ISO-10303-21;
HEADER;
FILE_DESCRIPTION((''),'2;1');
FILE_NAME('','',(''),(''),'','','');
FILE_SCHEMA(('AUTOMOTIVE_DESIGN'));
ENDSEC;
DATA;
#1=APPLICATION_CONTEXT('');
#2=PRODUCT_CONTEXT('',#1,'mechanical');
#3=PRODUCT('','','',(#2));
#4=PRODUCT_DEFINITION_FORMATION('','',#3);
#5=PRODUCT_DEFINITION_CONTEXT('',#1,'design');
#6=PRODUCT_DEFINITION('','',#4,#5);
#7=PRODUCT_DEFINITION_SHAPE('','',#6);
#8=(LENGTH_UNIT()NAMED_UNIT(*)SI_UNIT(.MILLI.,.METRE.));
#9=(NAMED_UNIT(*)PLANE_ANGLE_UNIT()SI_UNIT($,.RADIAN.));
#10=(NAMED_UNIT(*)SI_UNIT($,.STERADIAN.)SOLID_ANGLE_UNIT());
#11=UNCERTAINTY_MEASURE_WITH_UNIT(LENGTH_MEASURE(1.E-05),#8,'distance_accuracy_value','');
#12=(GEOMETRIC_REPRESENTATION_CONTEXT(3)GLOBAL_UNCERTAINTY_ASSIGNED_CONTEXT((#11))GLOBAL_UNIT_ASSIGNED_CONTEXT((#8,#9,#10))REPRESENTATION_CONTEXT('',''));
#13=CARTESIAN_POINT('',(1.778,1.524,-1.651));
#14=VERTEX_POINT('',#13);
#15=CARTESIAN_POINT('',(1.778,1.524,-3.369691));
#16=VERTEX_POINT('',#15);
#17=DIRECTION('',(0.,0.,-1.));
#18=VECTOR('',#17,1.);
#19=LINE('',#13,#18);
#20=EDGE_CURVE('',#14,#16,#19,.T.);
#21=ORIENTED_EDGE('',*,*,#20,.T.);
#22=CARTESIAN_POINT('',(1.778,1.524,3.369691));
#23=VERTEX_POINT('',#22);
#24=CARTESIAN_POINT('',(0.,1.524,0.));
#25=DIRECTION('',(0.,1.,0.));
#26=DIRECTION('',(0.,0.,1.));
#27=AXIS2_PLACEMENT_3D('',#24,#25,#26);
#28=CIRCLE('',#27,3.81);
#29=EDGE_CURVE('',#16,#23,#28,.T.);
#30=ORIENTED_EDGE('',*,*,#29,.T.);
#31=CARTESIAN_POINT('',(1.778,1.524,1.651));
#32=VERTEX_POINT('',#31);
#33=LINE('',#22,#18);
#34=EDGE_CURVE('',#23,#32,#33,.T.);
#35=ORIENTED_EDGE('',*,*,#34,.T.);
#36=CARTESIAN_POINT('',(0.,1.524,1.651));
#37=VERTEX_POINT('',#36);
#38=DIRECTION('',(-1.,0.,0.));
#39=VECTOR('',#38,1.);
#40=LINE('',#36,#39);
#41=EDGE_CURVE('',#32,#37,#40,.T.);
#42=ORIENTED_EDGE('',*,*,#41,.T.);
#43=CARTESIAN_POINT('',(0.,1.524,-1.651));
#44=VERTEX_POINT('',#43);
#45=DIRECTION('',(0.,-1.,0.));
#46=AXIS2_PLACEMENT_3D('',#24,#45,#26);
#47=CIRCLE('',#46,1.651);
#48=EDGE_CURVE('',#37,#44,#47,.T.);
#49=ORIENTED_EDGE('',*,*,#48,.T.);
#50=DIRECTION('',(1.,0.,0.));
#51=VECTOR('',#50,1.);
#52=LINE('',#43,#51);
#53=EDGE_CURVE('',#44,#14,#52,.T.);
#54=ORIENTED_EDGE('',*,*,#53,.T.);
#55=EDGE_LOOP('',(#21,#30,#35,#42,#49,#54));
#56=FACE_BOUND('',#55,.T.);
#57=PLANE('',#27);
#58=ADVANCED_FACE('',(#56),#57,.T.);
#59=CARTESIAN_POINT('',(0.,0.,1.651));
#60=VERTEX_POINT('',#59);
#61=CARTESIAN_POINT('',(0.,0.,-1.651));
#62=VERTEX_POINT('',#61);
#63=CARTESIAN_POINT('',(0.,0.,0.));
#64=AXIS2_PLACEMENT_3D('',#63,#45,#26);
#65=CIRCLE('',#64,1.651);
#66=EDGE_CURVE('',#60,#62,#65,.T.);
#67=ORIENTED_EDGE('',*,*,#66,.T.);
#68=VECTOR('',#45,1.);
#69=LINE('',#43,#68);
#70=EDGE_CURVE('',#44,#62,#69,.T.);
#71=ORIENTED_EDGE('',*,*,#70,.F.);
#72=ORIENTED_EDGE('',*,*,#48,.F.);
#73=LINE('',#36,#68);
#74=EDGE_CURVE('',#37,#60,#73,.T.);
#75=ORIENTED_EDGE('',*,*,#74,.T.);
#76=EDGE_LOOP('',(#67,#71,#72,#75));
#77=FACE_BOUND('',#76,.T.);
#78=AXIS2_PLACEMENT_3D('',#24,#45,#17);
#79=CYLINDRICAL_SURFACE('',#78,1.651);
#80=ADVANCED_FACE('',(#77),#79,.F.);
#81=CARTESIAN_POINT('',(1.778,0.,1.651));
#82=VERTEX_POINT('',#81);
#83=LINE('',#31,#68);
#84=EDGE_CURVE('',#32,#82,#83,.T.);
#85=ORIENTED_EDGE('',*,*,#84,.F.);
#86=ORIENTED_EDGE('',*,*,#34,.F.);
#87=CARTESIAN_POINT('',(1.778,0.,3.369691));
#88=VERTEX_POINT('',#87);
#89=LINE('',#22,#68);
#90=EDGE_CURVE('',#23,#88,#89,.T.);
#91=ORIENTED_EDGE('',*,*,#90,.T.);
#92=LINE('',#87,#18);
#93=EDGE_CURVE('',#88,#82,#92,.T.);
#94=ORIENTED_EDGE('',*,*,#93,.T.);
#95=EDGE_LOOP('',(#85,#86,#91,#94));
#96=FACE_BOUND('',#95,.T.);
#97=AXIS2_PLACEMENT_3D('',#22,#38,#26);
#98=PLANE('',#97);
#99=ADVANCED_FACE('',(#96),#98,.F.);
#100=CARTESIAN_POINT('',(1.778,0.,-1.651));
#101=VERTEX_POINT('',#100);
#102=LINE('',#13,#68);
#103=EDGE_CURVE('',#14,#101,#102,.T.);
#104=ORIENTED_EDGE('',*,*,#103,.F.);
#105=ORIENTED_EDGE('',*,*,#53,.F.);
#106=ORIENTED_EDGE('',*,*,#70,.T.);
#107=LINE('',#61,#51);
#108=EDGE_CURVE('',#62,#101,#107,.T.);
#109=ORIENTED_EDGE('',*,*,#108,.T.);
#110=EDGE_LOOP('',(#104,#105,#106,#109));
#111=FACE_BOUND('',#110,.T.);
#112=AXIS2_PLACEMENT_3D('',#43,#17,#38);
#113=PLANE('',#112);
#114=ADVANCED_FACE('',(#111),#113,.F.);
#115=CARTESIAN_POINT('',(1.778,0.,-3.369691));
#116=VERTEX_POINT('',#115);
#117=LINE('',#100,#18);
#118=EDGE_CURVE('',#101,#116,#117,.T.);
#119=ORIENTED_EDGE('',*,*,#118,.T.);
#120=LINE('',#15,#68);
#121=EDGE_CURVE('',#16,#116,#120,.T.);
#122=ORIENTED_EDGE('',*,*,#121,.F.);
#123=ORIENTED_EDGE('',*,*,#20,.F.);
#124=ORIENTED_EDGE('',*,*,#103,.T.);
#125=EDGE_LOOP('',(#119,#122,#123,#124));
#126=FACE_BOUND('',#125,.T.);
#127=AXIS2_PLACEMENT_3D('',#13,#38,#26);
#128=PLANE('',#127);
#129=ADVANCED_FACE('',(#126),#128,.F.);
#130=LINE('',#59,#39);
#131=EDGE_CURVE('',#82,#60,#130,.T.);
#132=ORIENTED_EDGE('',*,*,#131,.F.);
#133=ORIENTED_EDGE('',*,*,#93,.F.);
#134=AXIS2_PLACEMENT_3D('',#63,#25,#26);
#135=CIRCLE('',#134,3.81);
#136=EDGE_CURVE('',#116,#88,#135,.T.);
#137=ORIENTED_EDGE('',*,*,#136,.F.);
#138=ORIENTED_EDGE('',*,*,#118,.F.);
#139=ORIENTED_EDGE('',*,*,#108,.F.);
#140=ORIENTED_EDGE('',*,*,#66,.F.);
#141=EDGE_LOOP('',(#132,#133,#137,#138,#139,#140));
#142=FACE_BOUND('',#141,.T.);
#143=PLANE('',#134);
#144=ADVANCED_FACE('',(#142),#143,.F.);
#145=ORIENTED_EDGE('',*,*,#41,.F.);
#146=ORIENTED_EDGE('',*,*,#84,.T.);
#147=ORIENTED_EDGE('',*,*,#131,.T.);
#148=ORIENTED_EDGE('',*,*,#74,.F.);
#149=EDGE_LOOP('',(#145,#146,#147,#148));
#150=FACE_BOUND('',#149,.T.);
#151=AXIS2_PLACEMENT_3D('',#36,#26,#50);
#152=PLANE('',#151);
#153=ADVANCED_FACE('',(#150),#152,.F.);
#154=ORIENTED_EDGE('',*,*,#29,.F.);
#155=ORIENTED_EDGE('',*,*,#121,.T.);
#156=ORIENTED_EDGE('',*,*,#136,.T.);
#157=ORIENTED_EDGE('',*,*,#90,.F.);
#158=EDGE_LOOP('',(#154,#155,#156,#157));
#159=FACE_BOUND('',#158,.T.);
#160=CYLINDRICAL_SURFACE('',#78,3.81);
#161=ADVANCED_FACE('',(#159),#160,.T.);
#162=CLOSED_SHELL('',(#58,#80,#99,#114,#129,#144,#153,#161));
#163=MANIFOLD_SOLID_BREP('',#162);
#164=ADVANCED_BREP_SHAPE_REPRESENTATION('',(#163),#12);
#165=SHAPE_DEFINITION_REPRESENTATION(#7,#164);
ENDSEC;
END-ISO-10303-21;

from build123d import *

# Parameters (mm, degrees)
BOSS_EXTRUDE1_DEPTH = 1.524


with BuildPart() as part:
    # Sketch1 → Boss-Extrude1 (new body)
    with BuildSketch(Plane(origin=(0, 0, 0), x_dir=(1, 0, 0), z_dir=(0, 1, 0))):
        with BuildLine():
            Line((0, 1.651), (1.778, 1.651))
            Line((1.778, 1.651), (1.778, 3.369690787))
            ThreePointArc((1.778, 3.369690787), (-3.81, 0), (1.778, -3.369690787))
            Line((1.778, -3.369690787), (1.778, -1.651))
            Line((1.778, -1.651), (0, -1.651))
            ThreePointArc((0, -1.651), (-1.651, 0), (0, 1.651))
        make_face()
    extrude(amount=BOSS_EXTRUDE1_DEPTH)


solid = part.part
